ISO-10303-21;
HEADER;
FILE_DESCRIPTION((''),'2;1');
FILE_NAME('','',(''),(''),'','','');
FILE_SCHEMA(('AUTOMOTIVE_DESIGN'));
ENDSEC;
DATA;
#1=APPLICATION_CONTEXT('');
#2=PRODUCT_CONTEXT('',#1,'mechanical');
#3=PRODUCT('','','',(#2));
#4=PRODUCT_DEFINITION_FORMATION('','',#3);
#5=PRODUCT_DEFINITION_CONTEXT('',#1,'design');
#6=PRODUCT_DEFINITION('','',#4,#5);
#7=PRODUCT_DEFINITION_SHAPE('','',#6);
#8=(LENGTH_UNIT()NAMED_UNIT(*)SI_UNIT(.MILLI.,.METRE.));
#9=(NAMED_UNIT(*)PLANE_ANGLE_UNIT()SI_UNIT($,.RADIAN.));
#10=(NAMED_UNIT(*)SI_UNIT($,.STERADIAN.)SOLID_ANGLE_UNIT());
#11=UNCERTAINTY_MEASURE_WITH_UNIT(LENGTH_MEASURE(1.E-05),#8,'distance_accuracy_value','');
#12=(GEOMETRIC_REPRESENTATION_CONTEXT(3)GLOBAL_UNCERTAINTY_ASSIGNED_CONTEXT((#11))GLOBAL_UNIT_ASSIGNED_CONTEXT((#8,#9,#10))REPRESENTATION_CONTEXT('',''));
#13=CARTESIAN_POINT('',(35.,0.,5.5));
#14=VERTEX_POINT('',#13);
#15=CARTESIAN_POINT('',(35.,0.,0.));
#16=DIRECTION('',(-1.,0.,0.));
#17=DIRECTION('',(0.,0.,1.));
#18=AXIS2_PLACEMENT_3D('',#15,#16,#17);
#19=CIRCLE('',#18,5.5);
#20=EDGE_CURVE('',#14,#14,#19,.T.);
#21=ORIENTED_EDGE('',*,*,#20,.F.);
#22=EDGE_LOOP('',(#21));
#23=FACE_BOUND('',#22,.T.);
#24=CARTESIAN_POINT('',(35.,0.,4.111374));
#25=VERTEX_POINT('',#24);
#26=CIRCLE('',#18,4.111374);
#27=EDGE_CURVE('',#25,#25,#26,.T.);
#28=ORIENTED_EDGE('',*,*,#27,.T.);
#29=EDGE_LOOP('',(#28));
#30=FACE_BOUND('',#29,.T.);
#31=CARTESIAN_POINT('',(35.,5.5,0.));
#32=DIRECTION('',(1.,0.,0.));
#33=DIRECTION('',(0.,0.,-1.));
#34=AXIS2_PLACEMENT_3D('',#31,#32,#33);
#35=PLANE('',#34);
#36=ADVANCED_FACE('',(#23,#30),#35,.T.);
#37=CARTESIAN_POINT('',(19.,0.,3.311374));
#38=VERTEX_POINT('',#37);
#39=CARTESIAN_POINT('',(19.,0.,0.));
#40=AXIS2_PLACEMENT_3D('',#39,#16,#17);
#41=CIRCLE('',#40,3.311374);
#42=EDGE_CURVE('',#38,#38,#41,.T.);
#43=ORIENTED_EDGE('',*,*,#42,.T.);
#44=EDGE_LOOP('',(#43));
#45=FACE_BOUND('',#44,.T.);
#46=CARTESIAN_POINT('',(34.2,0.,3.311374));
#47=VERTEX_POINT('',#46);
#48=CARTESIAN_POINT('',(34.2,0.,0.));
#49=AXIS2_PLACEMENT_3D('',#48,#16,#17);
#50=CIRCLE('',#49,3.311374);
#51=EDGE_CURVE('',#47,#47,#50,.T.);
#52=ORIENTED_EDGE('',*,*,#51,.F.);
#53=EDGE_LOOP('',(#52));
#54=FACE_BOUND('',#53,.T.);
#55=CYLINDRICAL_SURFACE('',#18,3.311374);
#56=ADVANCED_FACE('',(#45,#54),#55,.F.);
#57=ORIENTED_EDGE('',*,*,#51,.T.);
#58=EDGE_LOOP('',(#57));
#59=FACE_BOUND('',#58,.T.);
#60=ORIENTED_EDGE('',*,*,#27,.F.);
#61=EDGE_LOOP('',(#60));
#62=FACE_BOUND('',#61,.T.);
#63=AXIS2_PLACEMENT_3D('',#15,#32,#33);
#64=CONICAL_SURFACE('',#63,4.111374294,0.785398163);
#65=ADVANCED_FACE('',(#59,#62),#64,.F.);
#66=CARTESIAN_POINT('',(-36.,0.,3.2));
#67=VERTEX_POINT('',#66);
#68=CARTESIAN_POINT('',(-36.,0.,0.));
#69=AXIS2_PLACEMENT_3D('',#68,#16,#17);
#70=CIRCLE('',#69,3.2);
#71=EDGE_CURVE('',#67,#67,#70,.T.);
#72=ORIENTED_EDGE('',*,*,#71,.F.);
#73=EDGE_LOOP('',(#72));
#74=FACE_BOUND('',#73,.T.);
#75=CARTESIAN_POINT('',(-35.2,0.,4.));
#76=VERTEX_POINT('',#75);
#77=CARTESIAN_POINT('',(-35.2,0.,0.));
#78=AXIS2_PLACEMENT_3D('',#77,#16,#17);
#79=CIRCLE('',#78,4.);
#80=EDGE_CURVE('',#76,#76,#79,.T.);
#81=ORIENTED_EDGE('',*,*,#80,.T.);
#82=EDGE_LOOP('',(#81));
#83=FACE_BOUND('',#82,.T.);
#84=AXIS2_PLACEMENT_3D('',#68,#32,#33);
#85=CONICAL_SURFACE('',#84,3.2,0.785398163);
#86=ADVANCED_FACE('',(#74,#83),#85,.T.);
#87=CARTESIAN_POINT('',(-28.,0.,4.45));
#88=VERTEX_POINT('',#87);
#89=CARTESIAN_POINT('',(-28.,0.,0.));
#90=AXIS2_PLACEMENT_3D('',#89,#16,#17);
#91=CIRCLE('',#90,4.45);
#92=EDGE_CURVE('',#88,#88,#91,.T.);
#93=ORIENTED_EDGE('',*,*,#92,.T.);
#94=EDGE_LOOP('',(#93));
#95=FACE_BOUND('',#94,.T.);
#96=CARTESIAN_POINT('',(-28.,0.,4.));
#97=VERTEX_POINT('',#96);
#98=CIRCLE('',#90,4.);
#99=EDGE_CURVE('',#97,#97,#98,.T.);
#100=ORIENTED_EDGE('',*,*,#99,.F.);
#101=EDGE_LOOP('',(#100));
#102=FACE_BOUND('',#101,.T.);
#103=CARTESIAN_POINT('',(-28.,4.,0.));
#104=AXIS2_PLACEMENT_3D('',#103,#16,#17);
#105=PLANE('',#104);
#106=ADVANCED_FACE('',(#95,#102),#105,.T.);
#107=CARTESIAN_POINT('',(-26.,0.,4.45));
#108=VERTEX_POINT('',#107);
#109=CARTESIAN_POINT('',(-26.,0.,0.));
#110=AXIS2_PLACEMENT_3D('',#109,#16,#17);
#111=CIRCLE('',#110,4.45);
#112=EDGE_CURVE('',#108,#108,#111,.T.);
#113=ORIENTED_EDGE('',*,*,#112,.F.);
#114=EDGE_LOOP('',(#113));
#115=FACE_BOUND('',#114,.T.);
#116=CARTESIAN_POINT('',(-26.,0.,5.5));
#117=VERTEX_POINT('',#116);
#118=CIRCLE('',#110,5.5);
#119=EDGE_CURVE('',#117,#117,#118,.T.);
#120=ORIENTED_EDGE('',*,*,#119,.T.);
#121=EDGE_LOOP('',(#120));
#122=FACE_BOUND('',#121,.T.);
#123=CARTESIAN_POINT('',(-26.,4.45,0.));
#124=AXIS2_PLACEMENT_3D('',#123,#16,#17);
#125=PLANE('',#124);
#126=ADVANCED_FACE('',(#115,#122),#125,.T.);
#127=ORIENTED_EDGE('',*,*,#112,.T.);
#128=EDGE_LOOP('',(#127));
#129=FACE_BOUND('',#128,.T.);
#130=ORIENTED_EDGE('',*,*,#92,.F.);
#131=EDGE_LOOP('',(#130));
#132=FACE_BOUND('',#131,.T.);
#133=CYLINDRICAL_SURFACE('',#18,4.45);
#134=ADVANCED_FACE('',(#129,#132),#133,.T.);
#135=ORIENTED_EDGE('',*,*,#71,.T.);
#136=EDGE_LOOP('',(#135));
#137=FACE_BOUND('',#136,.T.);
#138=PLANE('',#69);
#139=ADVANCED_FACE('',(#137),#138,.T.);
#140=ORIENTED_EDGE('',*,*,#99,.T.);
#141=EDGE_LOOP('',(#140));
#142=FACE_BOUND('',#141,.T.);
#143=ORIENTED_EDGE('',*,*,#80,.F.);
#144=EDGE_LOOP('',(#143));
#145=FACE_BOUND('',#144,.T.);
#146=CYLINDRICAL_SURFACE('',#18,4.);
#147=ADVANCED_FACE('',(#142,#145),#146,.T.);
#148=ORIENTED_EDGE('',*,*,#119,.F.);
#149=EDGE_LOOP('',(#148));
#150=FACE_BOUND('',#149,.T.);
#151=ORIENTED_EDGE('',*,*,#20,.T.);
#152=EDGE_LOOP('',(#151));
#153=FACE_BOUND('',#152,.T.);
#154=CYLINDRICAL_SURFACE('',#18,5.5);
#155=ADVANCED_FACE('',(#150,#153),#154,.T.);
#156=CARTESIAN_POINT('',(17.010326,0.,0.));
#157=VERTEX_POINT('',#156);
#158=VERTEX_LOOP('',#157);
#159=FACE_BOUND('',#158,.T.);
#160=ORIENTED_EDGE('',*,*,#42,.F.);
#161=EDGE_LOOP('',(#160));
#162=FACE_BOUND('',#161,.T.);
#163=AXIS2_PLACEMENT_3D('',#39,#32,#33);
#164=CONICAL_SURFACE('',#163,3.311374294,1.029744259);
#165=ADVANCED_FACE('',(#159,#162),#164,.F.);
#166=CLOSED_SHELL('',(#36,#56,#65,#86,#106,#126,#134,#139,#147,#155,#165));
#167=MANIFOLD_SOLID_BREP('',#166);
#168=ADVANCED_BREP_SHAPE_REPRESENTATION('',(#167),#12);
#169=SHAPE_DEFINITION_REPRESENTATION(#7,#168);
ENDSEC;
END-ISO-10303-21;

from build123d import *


with BuildPart() as part:
    # Sketch1 → Revolve1 (revolve)
    with BuildSketch(Plane(origin=(0, 0, 0), x_dir=(-1, 0, 0), z_dir=(0, 0, -1)), mode=Mode.PRIVATE) as revolve1_sk:
        Polygon((-19, 3.311374294), (-17.010325592, 0), (36, 0), (36, 3.2), (35.2, 4), (28, 4), (28, 4.45), (26, 4.45), (26, 5.5), (-35, 5.5), (-35, 4.111374294), (-34.2, 3.311374294), align=None)
    revolve(revolve1_sk.sketch.rotate(Axis((35, 0, 0), (-1, 0, 0)), 270), axis=Axis((35, 0, 0), (-1, 0, 0)))


solid = part.part
